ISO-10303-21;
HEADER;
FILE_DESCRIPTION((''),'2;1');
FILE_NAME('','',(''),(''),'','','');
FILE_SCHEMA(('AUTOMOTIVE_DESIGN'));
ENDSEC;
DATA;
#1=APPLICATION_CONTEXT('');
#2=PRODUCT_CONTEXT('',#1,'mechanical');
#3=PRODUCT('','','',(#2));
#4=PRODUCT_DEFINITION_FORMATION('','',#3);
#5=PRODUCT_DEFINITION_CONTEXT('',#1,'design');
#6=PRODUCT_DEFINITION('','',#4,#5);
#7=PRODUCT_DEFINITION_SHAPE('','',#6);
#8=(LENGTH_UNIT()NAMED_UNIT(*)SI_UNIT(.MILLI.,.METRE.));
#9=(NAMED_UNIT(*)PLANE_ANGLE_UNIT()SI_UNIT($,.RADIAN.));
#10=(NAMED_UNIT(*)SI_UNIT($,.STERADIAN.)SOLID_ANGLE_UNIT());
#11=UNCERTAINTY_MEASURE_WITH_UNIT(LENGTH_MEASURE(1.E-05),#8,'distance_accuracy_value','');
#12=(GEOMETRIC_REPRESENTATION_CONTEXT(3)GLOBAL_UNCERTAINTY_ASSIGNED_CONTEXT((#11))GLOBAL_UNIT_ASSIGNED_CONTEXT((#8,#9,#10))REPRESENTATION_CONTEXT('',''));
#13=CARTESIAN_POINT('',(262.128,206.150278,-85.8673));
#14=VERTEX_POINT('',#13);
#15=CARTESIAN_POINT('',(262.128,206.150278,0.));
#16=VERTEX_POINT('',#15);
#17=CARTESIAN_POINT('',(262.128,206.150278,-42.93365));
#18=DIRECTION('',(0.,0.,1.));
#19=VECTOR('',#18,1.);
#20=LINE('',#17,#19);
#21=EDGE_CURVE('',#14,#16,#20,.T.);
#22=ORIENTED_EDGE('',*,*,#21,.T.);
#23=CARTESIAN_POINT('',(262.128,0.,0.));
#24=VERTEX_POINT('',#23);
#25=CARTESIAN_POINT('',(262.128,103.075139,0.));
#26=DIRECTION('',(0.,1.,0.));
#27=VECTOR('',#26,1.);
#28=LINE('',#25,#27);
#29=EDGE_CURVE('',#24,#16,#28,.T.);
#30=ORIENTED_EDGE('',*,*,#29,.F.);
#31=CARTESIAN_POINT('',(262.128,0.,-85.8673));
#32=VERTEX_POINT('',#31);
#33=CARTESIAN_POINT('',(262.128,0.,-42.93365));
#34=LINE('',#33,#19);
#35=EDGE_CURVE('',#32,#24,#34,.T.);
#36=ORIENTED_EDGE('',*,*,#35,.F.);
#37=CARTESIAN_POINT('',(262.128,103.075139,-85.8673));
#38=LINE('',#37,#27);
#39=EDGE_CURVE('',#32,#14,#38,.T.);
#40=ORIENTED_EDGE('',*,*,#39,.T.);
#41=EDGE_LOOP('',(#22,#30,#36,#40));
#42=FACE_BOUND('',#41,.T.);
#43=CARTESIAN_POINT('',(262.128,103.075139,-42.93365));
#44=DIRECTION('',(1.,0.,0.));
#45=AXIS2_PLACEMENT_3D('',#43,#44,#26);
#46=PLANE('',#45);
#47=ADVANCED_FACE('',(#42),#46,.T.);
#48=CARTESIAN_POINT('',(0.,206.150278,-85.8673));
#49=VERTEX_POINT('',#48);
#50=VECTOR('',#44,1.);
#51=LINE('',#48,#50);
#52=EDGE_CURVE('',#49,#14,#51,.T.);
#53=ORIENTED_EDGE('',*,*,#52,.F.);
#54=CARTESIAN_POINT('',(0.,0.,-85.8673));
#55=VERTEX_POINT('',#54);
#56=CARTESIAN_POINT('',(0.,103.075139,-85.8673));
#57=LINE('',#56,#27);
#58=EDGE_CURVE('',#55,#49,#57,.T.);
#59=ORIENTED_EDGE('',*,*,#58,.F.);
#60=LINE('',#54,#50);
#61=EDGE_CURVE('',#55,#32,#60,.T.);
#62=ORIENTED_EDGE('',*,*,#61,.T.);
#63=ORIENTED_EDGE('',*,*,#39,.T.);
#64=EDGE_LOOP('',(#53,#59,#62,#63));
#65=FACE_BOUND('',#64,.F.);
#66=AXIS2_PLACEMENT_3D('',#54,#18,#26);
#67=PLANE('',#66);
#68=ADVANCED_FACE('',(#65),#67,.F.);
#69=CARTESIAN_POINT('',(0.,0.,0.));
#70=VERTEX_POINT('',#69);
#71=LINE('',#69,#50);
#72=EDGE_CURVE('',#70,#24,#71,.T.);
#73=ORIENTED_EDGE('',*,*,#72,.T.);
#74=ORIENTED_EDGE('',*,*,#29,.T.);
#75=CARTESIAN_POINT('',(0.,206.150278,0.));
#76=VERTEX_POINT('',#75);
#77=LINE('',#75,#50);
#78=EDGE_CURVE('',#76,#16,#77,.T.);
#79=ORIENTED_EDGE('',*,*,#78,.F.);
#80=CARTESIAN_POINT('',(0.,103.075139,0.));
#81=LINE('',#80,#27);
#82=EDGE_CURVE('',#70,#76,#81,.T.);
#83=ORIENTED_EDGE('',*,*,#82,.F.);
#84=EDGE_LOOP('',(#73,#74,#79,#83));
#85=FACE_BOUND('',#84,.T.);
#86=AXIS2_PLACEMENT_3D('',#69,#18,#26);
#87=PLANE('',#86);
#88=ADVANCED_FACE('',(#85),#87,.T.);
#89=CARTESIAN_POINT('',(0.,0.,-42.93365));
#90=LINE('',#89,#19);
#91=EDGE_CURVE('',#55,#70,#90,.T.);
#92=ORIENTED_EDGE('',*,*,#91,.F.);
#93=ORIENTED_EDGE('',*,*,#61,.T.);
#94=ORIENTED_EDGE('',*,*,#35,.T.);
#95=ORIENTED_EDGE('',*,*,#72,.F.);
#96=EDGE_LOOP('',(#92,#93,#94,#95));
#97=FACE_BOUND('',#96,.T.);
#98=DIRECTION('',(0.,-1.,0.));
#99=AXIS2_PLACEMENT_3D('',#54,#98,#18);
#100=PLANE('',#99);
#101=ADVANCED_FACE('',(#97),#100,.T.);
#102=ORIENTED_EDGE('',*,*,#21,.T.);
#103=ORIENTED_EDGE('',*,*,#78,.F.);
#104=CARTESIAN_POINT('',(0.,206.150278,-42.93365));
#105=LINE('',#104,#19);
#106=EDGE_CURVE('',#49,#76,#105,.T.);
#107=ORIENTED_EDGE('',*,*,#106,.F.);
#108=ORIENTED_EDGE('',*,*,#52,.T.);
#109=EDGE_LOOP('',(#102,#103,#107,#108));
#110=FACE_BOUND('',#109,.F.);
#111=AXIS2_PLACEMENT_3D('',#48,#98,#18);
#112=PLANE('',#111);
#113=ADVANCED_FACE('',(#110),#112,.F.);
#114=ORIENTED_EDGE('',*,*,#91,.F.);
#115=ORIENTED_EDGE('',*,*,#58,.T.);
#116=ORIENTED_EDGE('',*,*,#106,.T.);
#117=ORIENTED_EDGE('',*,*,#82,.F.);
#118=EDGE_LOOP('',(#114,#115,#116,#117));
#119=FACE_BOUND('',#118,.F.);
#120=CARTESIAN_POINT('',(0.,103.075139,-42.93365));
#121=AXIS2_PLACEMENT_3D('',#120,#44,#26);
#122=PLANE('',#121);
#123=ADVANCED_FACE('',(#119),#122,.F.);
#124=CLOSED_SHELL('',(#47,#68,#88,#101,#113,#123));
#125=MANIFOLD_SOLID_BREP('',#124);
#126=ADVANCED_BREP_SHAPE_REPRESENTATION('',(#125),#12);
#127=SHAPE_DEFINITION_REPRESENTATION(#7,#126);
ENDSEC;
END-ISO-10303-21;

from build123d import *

# Parameters (mm, degrees)
F0_W     = 206.150278
F0_H     = 85.867301
F1_DEPTH = 262.128
F2_W     = 221.906885
F2_H     = 170.495471
F3_DEPTH = 15.24
F4_W     = 229.3874
F4_H     = 177.979987
F5_DEPTH = 40.386


with BuildPart() as f1:
    # F0 (on Right) → F1 (new body)
    with BuildSketch(Plane.YZ):
        with Locations((103.075139, -42.93365)):
            Rectangle(F0_W, F0_H)
    extrude(amount=F1_DEPTH)

    # F2 (on face) → F3 (join)
    with BuildSketch(Plane.XY):
        with Locations((131.61292, 103.582059)):
            Rectangle(F2_W, F2_H)
    extrude(amount=-F3_DEPTH)

    # F4 (on face) → F5 (join)
    with BuildSketch(Plane.XY):
        with Locations((130.545692, 104.651281)):
            Rectangle(F4_W, F4_H)
    extrude(amount=-F5_DEPTH)


solid = f1.part
